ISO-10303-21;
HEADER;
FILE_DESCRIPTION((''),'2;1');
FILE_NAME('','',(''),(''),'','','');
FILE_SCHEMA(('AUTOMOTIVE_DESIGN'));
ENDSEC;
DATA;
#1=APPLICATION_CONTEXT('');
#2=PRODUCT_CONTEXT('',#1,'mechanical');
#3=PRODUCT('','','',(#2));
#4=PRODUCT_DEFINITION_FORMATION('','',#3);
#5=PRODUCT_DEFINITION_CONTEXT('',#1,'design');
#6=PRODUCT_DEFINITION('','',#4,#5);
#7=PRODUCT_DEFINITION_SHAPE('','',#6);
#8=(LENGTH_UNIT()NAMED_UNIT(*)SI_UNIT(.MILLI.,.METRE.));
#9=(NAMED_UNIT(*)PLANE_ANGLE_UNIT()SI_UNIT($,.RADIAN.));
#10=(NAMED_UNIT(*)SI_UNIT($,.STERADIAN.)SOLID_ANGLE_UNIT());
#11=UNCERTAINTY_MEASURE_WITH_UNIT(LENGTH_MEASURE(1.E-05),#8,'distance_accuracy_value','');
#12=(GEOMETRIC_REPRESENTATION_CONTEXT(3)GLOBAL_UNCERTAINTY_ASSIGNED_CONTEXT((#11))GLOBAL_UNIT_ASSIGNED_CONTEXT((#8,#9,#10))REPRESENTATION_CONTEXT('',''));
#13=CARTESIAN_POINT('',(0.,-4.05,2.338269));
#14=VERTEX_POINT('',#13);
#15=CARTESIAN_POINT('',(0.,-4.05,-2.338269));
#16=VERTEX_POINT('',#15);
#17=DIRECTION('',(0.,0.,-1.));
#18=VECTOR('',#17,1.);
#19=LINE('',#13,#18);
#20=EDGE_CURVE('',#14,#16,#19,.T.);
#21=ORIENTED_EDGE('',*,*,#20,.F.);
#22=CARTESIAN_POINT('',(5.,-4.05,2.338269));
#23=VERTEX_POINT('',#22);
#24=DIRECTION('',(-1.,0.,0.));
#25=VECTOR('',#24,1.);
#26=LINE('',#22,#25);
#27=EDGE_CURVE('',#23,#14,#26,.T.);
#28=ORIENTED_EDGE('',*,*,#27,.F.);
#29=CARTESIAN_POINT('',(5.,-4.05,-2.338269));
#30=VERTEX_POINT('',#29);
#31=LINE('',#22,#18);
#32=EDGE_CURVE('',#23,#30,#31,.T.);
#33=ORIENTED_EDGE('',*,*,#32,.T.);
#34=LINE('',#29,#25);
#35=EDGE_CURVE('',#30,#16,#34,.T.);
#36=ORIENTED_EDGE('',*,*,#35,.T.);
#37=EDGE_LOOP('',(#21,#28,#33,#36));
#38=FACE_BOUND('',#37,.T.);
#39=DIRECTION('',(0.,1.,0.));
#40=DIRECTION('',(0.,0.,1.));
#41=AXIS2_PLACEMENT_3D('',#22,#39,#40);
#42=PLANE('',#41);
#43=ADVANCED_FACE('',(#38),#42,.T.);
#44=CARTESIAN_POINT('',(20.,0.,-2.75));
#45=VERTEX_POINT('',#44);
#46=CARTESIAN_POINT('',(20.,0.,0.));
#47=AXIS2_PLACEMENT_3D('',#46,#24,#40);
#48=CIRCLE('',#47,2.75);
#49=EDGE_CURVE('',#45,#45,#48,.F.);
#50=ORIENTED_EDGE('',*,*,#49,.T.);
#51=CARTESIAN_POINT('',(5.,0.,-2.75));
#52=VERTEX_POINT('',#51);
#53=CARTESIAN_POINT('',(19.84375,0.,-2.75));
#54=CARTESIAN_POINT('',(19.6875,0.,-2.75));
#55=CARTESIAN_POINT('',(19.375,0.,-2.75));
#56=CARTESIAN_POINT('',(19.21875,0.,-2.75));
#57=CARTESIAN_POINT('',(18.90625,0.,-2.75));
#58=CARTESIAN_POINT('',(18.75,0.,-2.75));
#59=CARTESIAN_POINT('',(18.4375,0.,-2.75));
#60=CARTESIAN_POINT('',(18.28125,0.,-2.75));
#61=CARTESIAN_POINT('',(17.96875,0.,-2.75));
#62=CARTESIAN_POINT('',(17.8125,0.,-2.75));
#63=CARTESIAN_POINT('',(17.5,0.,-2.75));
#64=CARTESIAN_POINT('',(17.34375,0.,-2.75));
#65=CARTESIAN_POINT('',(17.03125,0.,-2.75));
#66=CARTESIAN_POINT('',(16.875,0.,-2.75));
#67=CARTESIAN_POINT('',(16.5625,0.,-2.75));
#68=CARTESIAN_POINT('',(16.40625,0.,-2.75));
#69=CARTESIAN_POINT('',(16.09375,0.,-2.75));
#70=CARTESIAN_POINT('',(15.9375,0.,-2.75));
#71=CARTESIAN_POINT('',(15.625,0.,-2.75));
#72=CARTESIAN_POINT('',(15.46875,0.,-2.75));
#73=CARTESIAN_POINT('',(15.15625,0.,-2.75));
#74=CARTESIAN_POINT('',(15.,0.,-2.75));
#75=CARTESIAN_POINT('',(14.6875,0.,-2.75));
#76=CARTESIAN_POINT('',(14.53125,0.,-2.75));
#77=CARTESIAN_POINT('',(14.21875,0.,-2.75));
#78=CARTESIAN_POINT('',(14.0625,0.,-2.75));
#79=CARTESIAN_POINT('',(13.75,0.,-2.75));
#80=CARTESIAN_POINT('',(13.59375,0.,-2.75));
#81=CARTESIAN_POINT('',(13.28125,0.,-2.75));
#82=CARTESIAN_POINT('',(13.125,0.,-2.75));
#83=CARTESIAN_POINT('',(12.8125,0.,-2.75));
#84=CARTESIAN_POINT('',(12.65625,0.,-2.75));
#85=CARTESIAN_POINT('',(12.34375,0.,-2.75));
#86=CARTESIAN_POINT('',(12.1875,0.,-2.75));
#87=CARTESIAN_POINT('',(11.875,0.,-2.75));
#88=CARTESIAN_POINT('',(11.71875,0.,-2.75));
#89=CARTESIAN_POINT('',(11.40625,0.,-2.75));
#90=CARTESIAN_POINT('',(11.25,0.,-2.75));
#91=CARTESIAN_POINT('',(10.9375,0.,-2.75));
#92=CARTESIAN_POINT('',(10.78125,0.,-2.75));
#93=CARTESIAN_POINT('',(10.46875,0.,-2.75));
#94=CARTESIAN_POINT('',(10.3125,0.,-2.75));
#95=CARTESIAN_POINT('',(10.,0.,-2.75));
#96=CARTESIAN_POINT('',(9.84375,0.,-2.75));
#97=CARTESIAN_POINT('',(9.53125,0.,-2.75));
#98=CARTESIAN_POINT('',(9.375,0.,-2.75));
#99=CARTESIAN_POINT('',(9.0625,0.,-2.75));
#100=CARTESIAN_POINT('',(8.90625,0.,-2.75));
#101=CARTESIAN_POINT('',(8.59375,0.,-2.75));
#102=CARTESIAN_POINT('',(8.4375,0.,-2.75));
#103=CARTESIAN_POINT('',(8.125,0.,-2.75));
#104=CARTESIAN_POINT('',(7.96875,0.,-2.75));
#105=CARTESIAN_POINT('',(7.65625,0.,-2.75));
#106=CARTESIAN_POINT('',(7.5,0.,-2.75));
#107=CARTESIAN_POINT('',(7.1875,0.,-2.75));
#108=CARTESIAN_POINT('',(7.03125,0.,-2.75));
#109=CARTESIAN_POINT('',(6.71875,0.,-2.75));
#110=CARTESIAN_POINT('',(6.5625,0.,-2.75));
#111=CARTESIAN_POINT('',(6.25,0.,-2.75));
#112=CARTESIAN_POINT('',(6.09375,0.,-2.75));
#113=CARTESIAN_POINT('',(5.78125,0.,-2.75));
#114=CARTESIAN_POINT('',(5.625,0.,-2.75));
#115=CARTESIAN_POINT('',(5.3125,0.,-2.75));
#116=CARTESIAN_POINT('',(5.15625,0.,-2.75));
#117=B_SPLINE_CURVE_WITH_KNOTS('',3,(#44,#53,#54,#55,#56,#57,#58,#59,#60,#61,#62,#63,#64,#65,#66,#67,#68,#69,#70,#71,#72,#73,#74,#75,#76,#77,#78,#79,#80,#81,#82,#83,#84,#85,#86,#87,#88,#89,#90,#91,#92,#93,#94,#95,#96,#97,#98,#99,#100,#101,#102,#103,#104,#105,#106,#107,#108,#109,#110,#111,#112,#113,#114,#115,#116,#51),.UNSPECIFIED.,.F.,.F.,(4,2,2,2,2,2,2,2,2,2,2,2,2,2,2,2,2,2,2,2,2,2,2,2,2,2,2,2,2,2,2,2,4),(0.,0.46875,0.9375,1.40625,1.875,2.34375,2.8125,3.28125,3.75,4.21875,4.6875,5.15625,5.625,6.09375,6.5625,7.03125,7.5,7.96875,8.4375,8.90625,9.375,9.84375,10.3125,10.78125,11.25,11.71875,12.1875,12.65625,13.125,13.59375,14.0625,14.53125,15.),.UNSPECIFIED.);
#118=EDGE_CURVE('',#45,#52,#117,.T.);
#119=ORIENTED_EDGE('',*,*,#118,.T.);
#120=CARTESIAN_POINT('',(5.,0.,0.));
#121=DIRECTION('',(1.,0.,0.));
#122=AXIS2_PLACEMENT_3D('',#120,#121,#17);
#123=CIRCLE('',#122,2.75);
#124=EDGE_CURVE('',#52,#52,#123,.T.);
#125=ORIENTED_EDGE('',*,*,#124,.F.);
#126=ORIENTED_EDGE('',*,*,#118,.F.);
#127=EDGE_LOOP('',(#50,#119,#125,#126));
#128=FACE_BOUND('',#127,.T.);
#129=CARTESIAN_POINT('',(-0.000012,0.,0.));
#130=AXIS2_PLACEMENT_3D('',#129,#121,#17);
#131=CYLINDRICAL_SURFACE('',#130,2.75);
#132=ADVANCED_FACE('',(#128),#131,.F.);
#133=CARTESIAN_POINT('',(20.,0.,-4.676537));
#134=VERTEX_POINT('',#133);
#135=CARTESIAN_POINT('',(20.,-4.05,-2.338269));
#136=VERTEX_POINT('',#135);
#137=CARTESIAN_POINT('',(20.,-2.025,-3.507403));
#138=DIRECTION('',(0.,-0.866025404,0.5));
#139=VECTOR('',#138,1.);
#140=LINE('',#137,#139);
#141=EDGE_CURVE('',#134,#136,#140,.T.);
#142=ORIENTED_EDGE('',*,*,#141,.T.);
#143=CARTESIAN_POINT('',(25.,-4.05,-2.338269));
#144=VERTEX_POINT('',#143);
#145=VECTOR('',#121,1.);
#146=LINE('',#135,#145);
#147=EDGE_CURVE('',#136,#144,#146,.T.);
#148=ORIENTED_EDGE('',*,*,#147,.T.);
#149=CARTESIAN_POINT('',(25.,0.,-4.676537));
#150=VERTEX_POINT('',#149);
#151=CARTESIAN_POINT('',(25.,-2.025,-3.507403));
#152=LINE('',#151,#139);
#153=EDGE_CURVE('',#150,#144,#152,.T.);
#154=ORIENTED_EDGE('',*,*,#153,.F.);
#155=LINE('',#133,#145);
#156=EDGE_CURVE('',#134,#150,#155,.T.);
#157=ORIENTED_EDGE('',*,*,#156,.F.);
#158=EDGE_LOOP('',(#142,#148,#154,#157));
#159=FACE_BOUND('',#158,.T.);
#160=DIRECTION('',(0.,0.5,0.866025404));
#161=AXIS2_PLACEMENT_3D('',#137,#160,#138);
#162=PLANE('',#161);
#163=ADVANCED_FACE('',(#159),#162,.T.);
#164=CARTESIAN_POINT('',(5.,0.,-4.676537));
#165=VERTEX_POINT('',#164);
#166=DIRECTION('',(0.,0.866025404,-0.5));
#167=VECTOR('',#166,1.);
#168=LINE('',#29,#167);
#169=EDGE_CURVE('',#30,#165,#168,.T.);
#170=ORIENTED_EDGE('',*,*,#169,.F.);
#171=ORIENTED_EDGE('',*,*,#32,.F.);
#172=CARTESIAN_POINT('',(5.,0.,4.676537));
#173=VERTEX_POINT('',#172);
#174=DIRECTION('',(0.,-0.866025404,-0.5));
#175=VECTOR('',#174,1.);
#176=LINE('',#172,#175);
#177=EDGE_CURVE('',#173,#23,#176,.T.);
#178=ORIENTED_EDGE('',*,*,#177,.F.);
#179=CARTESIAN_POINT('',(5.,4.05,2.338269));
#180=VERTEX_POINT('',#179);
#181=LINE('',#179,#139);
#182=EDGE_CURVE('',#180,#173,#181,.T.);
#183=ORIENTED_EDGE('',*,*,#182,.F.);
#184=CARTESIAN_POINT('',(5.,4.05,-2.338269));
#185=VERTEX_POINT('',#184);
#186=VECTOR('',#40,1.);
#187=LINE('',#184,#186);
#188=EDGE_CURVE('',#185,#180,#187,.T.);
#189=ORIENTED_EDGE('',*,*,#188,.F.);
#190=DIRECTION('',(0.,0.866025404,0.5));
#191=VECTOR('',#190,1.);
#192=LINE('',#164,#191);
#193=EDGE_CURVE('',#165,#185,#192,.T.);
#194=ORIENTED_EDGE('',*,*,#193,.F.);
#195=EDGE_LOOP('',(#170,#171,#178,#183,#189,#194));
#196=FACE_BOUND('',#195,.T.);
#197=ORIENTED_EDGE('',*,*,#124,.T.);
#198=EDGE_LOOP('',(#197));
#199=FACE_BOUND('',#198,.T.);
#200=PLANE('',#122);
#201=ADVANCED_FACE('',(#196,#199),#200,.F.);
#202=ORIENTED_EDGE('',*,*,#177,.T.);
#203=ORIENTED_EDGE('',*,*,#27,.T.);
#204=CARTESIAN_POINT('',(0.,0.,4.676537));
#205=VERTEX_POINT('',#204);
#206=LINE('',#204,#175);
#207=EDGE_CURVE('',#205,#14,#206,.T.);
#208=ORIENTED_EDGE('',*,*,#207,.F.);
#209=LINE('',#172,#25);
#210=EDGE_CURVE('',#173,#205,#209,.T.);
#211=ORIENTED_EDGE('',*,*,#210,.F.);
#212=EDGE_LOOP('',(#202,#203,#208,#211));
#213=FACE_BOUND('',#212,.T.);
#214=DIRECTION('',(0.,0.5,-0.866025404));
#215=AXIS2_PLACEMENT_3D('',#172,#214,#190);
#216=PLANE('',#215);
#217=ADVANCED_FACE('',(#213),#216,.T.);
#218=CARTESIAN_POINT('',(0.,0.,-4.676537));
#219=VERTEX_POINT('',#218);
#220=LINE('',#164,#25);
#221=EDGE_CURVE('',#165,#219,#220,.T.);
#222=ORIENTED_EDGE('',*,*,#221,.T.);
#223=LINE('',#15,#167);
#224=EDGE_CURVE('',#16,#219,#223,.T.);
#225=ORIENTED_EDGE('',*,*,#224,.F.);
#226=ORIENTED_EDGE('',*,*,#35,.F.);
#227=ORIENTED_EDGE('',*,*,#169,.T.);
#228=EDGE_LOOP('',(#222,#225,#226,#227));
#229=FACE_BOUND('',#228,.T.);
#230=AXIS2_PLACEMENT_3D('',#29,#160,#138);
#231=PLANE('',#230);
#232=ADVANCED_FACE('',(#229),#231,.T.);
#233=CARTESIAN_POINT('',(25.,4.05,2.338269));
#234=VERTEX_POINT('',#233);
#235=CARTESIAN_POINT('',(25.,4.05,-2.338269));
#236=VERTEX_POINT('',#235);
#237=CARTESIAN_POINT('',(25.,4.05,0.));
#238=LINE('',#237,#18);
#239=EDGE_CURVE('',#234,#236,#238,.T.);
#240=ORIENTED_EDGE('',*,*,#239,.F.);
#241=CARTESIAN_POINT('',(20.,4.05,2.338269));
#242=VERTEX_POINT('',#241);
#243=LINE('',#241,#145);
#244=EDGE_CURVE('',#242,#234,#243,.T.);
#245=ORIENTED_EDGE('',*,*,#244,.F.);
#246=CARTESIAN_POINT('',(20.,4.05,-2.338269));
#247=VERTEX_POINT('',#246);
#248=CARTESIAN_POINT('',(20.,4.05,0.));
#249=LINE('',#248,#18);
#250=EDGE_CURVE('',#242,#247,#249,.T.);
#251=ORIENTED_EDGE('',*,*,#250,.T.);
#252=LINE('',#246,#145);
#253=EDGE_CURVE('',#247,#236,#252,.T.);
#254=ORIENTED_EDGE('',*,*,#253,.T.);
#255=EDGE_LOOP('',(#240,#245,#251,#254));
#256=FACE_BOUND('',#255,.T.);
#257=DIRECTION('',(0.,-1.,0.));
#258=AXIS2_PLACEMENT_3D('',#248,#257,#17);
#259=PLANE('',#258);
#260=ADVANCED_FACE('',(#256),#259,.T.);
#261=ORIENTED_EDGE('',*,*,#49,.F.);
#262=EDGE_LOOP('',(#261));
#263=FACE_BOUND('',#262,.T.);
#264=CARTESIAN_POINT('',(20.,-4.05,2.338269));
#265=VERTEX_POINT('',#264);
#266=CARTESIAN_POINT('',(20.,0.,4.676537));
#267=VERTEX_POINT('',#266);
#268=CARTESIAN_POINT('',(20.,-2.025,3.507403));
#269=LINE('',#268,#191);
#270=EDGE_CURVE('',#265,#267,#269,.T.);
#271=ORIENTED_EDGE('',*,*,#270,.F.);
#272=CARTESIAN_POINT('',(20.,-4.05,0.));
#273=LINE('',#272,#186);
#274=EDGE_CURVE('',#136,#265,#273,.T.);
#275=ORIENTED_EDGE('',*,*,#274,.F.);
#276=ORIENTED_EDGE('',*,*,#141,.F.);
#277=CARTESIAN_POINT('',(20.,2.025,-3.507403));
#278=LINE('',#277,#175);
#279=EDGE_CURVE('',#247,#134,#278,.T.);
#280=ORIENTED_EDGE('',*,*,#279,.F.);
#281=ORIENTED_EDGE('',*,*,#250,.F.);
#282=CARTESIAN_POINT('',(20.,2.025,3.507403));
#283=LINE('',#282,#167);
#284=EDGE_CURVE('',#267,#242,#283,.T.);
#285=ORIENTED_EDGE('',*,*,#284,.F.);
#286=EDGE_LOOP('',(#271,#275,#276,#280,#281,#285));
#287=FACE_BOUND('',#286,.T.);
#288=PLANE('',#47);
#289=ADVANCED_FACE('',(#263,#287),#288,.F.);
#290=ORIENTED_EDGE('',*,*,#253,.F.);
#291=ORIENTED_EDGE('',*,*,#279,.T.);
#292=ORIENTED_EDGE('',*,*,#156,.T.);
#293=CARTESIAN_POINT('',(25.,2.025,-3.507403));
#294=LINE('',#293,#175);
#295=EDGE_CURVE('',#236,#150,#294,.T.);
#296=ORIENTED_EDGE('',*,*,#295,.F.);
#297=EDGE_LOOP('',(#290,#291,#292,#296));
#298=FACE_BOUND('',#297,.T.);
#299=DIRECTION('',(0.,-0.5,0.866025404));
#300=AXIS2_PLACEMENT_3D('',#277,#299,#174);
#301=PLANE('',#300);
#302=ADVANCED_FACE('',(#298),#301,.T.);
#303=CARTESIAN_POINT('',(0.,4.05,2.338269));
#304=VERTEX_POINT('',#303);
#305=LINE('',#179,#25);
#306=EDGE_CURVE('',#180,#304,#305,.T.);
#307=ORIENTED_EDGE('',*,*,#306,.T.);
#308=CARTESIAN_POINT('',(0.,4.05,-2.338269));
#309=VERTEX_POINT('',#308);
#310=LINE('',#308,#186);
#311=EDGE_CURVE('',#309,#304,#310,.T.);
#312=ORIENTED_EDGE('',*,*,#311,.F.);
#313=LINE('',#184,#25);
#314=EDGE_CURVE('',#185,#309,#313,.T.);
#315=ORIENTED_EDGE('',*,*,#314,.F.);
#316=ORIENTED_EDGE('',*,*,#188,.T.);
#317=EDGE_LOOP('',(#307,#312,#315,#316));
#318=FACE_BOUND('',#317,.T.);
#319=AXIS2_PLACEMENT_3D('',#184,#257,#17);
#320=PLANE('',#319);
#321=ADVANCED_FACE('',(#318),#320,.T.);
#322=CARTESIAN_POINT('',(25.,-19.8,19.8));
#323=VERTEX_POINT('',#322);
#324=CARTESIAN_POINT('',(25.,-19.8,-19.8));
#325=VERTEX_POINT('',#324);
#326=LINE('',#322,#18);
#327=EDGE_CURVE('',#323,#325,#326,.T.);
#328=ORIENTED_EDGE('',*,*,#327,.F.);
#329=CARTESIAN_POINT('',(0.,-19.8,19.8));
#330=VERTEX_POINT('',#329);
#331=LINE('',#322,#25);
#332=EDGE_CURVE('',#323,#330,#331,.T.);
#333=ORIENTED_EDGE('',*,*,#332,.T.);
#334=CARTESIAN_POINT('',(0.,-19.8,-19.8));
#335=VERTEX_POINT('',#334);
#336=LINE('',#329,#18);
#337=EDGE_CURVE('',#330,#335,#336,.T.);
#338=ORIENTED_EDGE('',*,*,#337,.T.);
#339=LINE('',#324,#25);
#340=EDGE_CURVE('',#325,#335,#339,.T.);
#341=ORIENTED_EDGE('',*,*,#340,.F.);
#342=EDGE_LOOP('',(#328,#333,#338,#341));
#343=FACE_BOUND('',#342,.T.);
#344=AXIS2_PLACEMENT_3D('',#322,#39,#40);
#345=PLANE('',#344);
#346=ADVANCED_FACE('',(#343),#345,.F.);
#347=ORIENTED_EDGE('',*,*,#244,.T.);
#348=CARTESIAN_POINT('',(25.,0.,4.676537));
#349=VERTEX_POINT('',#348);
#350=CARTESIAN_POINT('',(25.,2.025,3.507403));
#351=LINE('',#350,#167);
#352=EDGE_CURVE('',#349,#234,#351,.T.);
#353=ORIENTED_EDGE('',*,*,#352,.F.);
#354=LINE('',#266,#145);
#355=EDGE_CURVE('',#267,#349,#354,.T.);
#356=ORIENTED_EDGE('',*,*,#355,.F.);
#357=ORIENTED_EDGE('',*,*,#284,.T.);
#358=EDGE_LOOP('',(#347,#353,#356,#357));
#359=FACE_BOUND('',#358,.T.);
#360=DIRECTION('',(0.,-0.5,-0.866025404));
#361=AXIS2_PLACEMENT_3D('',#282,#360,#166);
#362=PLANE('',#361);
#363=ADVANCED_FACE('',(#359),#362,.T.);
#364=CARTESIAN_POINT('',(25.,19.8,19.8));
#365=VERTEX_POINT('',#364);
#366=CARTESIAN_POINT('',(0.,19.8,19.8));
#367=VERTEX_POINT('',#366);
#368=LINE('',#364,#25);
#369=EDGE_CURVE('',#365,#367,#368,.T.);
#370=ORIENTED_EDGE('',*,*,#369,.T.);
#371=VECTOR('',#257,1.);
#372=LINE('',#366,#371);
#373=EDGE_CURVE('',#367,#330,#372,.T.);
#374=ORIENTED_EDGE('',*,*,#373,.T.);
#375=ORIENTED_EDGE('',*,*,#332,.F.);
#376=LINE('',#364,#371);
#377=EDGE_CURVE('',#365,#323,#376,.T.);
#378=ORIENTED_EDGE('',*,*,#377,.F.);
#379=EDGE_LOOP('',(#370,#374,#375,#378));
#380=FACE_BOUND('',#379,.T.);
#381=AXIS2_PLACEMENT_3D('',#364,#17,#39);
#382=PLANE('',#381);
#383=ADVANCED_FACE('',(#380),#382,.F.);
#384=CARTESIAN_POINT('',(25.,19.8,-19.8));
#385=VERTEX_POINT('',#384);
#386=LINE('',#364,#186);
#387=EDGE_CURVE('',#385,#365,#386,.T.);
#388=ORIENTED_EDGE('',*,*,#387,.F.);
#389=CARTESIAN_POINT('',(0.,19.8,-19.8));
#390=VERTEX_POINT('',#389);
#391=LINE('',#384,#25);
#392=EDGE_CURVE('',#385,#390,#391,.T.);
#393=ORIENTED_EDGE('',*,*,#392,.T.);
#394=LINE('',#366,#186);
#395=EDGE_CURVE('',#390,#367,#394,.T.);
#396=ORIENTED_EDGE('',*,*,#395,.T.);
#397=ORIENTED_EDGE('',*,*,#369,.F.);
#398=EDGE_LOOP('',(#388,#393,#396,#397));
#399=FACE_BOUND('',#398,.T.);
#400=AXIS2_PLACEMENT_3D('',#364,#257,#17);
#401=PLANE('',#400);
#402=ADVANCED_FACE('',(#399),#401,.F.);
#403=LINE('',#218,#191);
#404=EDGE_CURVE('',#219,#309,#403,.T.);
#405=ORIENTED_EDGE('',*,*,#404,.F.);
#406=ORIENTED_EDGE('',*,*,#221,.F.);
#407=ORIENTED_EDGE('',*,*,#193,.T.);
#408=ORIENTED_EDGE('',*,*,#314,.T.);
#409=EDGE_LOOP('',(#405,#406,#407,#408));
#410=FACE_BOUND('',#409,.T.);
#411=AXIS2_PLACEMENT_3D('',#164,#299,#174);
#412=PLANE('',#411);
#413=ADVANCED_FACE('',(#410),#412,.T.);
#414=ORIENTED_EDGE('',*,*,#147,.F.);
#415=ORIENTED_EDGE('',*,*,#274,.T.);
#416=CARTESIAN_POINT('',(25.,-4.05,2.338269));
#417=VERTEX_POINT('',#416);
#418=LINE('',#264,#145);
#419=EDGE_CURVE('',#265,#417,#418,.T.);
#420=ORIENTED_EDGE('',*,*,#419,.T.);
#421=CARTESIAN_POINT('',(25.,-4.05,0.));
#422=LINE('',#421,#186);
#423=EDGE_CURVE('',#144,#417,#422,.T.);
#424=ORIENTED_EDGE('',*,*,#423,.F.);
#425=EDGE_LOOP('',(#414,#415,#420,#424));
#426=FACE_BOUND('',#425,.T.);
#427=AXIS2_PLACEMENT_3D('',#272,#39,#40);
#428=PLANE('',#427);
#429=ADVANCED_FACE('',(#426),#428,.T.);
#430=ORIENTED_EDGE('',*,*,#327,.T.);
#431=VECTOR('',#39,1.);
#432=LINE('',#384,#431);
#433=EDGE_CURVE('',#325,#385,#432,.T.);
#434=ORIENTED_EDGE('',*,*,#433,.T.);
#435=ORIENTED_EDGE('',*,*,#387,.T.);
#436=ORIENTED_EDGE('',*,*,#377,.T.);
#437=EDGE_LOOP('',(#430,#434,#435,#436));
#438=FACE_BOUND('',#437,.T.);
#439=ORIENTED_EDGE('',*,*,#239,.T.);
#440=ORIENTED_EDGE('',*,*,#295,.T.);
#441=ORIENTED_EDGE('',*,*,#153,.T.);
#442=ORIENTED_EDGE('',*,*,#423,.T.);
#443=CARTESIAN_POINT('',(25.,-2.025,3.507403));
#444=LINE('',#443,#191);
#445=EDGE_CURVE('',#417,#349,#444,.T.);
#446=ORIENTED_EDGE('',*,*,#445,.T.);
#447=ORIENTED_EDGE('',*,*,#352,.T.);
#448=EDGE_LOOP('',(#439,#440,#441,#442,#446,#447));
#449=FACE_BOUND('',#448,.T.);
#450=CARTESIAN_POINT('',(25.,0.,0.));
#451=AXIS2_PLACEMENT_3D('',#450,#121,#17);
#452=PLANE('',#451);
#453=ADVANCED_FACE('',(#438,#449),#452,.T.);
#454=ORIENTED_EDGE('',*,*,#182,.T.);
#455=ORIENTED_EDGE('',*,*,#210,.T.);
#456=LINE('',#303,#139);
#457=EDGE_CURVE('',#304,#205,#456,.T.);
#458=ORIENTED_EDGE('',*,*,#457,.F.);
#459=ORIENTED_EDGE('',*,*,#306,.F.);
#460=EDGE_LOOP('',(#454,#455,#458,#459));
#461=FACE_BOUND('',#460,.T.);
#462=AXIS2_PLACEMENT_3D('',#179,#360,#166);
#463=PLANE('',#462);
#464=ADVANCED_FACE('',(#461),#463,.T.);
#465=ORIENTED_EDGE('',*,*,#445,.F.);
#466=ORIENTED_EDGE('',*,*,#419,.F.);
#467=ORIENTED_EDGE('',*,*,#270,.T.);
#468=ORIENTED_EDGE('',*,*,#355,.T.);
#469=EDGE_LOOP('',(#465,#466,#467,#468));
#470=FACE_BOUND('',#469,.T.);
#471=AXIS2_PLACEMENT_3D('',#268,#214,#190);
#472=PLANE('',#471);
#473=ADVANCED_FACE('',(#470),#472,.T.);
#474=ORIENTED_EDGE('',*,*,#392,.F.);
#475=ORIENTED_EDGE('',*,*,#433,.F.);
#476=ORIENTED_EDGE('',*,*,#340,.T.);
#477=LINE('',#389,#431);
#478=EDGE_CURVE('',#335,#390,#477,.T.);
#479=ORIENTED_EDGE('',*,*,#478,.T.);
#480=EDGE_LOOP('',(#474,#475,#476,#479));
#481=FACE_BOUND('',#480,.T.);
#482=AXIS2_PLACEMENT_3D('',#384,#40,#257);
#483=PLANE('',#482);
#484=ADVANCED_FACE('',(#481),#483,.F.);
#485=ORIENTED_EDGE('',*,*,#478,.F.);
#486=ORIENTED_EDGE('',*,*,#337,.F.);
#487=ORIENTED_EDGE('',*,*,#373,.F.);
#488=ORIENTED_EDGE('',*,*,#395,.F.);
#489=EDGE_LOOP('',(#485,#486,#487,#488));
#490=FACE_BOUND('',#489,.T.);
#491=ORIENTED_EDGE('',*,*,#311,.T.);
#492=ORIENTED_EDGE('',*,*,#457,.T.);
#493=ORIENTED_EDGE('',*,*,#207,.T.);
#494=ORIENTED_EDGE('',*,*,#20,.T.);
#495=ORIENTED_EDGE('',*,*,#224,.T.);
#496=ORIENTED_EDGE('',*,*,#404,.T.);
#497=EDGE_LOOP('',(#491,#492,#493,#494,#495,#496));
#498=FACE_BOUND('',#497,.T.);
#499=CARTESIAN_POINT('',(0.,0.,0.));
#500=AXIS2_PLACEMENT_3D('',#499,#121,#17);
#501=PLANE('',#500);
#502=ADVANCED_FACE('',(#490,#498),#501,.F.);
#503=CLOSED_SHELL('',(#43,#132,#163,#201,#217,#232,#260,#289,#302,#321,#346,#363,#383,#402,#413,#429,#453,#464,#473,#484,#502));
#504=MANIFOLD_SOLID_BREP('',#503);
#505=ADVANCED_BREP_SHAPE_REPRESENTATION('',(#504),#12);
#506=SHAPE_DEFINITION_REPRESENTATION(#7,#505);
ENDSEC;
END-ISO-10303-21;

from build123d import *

# Parameters (mm, degrees)
SKETCH1_W               = 39.6
SKETCH1_H               = 39.6
BOSS_EXTRUDE1_DEPTH     = 25
CUT_EXTRUDE1_DEPTH      = 5
CUT_EXTRUDE2_DEPTH      = 38.537714368
CUT_EXTRUDE2_DEPTH_BACK = 38.537714368
SKETCH3_R               = 2.75
CUT_EXTRUDE4_START      = 25
CUT_EXTRUDE4_DEPTH      = 5


with BuildPart() as part:
    # Sketch1 → Boss-Extrude1 (new body)
    with BuildSketch(Plane(origin=(0, 0, 0), x_dir=(0, 0, -1), z_dir=(1, 0, 0))):
        Rectangle(SKETCH1_W, SKETCH1_H)
    extrude(amount=BOSS_EXTRUDE1_DEPTH)

    # Sketch2 → Cut-Extrude1 (cut)
    with BuildSketch(Plane(origin=(0, 0, 0), x_dir=(0, 0, -1), z_dir=(1, 0, 0))):
        Polygon((4.67653718, 0), (2.33826859, 4.05), (-2.33826859, 4.05), (-4.67653718, 0), (-2.33826859, -4.05), (2.33826859, -4.05), align=None)
    extrude(amount=CUT_EXTRUDE1_DEPTH, mode=Mode.SUBTRACT)

    # Sketch3 → Cut-Extrude2 (cut, two sides: drawn at the far end of the back side and taken through both)
    with BuildSketch(Plane(origin=(0, 0, 0), x_dir=(0, 0, -1), z_dir=(1, 0, 0)).offset(-CUT_EXTRUDE2_DEPTH_BACK)):
        Circle(SKETCH3_R)
    extrude(amount=CUT_EXTRUDE2_DEPTH + CUT_EXTRUDE2_DEPTH_BACK, mode=Mode.SUBTRACT)

    # Sketch2<2> → Cut-Extrude4 (cut)
    with BuildSketch(Plane(origin=(0, 0, 0), x_dir=(0, 0, -1), z_dir=(1, 0, 0)).offset(CUT_EXTRUDE4_START)):
        Polygon((4.67653718, 0), (2.33826859, 4.05), (-2.33826859, 4.05), (-4.67653718, 0), (-2.33826859, -4.05), (2.33826859, -4.05), align=None)
    extrude(amount=-CUT_EXTRUDE4_DEPTH, mode=Mode.SUBTRACT)


solid = part.part
